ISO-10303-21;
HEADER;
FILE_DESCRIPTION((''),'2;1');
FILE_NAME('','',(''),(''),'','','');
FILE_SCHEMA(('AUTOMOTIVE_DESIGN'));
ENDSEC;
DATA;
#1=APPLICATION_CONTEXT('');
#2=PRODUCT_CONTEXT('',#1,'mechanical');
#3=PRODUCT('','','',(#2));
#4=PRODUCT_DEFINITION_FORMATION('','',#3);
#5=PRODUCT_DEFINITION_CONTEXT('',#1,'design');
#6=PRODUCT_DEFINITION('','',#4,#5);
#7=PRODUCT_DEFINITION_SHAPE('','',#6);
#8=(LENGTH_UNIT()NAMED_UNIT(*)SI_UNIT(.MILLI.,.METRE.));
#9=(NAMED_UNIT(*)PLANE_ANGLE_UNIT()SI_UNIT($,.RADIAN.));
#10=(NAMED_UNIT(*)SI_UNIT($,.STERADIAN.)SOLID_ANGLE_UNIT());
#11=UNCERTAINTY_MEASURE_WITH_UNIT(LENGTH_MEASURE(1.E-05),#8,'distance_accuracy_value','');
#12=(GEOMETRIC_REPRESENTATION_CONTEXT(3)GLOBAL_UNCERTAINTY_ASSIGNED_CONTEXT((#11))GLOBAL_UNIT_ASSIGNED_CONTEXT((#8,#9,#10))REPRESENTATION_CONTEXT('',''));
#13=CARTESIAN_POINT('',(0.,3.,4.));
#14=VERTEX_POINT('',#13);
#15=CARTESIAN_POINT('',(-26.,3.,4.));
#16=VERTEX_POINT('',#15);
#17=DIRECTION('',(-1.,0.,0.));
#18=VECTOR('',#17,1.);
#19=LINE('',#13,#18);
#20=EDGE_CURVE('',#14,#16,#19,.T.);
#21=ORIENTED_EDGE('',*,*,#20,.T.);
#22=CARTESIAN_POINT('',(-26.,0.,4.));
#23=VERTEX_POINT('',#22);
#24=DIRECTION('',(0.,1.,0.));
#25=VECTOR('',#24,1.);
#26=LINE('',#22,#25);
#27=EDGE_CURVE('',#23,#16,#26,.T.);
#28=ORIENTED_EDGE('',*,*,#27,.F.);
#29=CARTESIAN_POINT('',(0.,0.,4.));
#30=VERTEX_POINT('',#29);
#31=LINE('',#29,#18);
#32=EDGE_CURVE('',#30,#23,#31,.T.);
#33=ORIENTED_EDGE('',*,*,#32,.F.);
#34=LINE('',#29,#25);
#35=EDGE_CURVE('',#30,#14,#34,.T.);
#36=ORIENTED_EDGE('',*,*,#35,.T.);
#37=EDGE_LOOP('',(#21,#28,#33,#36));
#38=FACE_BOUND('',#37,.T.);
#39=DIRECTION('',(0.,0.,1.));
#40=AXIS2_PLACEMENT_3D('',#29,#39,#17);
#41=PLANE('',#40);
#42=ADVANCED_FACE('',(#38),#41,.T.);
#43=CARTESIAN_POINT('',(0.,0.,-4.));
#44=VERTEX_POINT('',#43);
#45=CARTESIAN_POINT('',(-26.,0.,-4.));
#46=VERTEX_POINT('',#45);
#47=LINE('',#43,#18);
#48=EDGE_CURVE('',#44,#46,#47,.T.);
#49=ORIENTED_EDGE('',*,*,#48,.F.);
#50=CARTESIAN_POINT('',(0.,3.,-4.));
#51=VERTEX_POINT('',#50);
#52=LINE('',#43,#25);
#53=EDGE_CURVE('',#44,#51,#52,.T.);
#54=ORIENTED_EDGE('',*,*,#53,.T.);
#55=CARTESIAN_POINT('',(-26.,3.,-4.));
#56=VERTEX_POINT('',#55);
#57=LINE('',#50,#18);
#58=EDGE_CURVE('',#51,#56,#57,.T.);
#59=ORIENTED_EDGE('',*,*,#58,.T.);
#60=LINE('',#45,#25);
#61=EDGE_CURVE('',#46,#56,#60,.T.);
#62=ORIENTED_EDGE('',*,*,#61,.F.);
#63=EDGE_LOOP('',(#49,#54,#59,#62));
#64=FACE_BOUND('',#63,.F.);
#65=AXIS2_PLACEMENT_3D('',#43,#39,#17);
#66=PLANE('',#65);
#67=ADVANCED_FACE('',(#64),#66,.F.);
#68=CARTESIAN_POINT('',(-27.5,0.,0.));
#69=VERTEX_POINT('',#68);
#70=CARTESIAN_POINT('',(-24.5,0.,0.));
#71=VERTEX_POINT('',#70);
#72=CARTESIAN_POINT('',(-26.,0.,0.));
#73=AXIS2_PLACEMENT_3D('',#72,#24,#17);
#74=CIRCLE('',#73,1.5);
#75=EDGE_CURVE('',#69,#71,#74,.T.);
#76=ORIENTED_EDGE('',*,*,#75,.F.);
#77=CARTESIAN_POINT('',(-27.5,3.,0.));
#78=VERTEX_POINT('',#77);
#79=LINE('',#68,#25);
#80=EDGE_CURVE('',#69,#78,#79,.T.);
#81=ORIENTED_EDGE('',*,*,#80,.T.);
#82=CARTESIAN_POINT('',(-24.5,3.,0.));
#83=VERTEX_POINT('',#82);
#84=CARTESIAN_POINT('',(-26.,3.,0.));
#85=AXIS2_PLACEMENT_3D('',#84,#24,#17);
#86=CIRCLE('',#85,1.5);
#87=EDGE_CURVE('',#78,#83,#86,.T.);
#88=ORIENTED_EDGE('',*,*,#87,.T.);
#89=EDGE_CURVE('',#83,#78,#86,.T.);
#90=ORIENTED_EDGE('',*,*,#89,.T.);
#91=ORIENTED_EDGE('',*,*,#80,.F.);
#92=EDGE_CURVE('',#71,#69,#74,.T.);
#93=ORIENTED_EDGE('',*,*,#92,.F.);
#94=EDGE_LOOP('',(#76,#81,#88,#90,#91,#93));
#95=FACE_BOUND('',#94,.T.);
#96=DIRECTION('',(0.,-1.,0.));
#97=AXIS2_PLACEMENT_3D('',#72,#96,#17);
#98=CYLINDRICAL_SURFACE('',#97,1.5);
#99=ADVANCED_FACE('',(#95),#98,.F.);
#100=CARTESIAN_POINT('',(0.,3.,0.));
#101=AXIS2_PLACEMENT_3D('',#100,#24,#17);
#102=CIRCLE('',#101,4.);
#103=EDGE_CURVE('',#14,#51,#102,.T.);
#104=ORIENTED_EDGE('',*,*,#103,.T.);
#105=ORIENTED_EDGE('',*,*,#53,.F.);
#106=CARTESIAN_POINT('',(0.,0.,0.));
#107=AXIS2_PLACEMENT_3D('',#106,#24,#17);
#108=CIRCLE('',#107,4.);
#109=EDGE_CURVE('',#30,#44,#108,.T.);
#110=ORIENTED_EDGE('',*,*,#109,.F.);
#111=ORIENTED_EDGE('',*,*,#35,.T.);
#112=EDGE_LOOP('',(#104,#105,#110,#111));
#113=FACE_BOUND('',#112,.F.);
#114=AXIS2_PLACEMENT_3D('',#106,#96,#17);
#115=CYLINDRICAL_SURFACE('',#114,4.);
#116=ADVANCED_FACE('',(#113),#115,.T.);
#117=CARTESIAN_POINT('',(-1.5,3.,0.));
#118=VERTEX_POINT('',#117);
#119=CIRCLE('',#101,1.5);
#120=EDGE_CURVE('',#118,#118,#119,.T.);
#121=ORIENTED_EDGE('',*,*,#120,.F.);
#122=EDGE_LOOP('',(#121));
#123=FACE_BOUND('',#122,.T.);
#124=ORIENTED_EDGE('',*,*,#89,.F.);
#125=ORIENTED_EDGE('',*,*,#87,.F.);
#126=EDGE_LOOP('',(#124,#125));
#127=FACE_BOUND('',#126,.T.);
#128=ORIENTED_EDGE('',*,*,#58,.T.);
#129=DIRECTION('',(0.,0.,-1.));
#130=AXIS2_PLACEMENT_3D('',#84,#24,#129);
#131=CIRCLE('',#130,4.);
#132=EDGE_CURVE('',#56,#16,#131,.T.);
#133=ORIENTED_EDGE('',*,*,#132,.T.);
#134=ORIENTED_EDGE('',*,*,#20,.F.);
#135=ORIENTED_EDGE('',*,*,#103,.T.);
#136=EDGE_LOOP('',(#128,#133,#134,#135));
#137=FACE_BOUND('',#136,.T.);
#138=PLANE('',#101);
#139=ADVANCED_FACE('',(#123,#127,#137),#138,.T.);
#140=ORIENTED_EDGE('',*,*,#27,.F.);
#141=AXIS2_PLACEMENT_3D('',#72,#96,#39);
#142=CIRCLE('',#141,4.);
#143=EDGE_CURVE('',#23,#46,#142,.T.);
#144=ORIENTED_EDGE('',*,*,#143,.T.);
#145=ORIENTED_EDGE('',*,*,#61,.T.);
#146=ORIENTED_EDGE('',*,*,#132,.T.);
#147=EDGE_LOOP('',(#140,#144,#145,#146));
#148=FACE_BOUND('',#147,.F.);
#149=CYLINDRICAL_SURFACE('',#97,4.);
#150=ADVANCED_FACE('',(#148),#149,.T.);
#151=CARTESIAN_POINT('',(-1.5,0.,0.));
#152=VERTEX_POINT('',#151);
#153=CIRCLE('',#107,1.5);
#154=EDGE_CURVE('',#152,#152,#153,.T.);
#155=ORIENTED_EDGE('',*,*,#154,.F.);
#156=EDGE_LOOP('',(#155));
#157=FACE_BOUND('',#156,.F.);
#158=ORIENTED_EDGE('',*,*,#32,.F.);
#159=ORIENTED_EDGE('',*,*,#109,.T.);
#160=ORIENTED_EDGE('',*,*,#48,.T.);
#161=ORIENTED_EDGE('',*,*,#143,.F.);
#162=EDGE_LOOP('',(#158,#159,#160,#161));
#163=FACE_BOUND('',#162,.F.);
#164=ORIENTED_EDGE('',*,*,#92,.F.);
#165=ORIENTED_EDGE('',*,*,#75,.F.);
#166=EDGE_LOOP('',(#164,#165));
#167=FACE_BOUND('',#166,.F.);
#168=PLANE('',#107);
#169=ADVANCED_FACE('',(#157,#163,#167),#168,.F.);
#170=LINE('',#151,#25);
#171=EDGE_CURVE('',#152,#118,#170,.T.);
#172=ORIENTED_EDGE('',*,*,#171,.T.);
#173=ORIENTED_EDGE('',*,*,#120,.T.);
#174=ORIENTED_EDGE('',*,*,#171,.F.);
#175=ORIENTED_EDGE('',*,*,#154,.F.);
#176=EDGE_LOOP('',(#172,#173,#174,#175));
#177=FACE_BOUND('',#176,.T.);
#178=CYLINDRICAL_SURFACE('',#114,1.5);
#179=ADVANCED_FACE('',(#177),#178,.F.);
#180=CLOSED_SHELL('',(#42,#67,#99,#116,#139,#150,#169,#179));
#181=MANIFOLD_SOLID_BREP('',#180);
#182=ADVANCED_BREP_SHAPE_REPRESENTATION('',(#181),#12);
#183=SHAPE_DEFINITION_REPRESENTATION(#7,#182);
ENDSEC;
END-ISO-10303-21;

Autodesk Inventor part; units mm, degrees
ref_plane "YZ Plane" through (0, 0, 0) normal (1, 0, 0) x (0, 1, 0)
ref_plane "XZ Plane" through (0, 0, 0) normal (0, 1, 0) x (-1, 0, 0)
ref_plane "XY Plane" through (0, 0, 0) normal (0, 0, 1) x (1, 0, 0)
sketch "Sketch1" plane through (0, 0, 0) normal (0, 1, 0) x (-1, 0, 0)
  circle A0 centre (0, 0) radius 1.5
  circle A1 centre (0, 0) radius 4
  line L0 (0, 0) -> (26, 0)
  circle A2 centre (26, 0) radius 1.5
  circle A3 centre (26, 0) radius 4
  line L1 (0, 4) -> (26, 4)
  line L2 (0, -4) -> (26, -4)
  dimension "d0" = 3
  dimension "d1" = 8
  dimension "d2" = 26
  dimension "d3" = 3
  dimension "d4" = 8
extrude "Extrusion1" add sketch "Sketch1" along normal blind 3
properties part number "barra_1"
